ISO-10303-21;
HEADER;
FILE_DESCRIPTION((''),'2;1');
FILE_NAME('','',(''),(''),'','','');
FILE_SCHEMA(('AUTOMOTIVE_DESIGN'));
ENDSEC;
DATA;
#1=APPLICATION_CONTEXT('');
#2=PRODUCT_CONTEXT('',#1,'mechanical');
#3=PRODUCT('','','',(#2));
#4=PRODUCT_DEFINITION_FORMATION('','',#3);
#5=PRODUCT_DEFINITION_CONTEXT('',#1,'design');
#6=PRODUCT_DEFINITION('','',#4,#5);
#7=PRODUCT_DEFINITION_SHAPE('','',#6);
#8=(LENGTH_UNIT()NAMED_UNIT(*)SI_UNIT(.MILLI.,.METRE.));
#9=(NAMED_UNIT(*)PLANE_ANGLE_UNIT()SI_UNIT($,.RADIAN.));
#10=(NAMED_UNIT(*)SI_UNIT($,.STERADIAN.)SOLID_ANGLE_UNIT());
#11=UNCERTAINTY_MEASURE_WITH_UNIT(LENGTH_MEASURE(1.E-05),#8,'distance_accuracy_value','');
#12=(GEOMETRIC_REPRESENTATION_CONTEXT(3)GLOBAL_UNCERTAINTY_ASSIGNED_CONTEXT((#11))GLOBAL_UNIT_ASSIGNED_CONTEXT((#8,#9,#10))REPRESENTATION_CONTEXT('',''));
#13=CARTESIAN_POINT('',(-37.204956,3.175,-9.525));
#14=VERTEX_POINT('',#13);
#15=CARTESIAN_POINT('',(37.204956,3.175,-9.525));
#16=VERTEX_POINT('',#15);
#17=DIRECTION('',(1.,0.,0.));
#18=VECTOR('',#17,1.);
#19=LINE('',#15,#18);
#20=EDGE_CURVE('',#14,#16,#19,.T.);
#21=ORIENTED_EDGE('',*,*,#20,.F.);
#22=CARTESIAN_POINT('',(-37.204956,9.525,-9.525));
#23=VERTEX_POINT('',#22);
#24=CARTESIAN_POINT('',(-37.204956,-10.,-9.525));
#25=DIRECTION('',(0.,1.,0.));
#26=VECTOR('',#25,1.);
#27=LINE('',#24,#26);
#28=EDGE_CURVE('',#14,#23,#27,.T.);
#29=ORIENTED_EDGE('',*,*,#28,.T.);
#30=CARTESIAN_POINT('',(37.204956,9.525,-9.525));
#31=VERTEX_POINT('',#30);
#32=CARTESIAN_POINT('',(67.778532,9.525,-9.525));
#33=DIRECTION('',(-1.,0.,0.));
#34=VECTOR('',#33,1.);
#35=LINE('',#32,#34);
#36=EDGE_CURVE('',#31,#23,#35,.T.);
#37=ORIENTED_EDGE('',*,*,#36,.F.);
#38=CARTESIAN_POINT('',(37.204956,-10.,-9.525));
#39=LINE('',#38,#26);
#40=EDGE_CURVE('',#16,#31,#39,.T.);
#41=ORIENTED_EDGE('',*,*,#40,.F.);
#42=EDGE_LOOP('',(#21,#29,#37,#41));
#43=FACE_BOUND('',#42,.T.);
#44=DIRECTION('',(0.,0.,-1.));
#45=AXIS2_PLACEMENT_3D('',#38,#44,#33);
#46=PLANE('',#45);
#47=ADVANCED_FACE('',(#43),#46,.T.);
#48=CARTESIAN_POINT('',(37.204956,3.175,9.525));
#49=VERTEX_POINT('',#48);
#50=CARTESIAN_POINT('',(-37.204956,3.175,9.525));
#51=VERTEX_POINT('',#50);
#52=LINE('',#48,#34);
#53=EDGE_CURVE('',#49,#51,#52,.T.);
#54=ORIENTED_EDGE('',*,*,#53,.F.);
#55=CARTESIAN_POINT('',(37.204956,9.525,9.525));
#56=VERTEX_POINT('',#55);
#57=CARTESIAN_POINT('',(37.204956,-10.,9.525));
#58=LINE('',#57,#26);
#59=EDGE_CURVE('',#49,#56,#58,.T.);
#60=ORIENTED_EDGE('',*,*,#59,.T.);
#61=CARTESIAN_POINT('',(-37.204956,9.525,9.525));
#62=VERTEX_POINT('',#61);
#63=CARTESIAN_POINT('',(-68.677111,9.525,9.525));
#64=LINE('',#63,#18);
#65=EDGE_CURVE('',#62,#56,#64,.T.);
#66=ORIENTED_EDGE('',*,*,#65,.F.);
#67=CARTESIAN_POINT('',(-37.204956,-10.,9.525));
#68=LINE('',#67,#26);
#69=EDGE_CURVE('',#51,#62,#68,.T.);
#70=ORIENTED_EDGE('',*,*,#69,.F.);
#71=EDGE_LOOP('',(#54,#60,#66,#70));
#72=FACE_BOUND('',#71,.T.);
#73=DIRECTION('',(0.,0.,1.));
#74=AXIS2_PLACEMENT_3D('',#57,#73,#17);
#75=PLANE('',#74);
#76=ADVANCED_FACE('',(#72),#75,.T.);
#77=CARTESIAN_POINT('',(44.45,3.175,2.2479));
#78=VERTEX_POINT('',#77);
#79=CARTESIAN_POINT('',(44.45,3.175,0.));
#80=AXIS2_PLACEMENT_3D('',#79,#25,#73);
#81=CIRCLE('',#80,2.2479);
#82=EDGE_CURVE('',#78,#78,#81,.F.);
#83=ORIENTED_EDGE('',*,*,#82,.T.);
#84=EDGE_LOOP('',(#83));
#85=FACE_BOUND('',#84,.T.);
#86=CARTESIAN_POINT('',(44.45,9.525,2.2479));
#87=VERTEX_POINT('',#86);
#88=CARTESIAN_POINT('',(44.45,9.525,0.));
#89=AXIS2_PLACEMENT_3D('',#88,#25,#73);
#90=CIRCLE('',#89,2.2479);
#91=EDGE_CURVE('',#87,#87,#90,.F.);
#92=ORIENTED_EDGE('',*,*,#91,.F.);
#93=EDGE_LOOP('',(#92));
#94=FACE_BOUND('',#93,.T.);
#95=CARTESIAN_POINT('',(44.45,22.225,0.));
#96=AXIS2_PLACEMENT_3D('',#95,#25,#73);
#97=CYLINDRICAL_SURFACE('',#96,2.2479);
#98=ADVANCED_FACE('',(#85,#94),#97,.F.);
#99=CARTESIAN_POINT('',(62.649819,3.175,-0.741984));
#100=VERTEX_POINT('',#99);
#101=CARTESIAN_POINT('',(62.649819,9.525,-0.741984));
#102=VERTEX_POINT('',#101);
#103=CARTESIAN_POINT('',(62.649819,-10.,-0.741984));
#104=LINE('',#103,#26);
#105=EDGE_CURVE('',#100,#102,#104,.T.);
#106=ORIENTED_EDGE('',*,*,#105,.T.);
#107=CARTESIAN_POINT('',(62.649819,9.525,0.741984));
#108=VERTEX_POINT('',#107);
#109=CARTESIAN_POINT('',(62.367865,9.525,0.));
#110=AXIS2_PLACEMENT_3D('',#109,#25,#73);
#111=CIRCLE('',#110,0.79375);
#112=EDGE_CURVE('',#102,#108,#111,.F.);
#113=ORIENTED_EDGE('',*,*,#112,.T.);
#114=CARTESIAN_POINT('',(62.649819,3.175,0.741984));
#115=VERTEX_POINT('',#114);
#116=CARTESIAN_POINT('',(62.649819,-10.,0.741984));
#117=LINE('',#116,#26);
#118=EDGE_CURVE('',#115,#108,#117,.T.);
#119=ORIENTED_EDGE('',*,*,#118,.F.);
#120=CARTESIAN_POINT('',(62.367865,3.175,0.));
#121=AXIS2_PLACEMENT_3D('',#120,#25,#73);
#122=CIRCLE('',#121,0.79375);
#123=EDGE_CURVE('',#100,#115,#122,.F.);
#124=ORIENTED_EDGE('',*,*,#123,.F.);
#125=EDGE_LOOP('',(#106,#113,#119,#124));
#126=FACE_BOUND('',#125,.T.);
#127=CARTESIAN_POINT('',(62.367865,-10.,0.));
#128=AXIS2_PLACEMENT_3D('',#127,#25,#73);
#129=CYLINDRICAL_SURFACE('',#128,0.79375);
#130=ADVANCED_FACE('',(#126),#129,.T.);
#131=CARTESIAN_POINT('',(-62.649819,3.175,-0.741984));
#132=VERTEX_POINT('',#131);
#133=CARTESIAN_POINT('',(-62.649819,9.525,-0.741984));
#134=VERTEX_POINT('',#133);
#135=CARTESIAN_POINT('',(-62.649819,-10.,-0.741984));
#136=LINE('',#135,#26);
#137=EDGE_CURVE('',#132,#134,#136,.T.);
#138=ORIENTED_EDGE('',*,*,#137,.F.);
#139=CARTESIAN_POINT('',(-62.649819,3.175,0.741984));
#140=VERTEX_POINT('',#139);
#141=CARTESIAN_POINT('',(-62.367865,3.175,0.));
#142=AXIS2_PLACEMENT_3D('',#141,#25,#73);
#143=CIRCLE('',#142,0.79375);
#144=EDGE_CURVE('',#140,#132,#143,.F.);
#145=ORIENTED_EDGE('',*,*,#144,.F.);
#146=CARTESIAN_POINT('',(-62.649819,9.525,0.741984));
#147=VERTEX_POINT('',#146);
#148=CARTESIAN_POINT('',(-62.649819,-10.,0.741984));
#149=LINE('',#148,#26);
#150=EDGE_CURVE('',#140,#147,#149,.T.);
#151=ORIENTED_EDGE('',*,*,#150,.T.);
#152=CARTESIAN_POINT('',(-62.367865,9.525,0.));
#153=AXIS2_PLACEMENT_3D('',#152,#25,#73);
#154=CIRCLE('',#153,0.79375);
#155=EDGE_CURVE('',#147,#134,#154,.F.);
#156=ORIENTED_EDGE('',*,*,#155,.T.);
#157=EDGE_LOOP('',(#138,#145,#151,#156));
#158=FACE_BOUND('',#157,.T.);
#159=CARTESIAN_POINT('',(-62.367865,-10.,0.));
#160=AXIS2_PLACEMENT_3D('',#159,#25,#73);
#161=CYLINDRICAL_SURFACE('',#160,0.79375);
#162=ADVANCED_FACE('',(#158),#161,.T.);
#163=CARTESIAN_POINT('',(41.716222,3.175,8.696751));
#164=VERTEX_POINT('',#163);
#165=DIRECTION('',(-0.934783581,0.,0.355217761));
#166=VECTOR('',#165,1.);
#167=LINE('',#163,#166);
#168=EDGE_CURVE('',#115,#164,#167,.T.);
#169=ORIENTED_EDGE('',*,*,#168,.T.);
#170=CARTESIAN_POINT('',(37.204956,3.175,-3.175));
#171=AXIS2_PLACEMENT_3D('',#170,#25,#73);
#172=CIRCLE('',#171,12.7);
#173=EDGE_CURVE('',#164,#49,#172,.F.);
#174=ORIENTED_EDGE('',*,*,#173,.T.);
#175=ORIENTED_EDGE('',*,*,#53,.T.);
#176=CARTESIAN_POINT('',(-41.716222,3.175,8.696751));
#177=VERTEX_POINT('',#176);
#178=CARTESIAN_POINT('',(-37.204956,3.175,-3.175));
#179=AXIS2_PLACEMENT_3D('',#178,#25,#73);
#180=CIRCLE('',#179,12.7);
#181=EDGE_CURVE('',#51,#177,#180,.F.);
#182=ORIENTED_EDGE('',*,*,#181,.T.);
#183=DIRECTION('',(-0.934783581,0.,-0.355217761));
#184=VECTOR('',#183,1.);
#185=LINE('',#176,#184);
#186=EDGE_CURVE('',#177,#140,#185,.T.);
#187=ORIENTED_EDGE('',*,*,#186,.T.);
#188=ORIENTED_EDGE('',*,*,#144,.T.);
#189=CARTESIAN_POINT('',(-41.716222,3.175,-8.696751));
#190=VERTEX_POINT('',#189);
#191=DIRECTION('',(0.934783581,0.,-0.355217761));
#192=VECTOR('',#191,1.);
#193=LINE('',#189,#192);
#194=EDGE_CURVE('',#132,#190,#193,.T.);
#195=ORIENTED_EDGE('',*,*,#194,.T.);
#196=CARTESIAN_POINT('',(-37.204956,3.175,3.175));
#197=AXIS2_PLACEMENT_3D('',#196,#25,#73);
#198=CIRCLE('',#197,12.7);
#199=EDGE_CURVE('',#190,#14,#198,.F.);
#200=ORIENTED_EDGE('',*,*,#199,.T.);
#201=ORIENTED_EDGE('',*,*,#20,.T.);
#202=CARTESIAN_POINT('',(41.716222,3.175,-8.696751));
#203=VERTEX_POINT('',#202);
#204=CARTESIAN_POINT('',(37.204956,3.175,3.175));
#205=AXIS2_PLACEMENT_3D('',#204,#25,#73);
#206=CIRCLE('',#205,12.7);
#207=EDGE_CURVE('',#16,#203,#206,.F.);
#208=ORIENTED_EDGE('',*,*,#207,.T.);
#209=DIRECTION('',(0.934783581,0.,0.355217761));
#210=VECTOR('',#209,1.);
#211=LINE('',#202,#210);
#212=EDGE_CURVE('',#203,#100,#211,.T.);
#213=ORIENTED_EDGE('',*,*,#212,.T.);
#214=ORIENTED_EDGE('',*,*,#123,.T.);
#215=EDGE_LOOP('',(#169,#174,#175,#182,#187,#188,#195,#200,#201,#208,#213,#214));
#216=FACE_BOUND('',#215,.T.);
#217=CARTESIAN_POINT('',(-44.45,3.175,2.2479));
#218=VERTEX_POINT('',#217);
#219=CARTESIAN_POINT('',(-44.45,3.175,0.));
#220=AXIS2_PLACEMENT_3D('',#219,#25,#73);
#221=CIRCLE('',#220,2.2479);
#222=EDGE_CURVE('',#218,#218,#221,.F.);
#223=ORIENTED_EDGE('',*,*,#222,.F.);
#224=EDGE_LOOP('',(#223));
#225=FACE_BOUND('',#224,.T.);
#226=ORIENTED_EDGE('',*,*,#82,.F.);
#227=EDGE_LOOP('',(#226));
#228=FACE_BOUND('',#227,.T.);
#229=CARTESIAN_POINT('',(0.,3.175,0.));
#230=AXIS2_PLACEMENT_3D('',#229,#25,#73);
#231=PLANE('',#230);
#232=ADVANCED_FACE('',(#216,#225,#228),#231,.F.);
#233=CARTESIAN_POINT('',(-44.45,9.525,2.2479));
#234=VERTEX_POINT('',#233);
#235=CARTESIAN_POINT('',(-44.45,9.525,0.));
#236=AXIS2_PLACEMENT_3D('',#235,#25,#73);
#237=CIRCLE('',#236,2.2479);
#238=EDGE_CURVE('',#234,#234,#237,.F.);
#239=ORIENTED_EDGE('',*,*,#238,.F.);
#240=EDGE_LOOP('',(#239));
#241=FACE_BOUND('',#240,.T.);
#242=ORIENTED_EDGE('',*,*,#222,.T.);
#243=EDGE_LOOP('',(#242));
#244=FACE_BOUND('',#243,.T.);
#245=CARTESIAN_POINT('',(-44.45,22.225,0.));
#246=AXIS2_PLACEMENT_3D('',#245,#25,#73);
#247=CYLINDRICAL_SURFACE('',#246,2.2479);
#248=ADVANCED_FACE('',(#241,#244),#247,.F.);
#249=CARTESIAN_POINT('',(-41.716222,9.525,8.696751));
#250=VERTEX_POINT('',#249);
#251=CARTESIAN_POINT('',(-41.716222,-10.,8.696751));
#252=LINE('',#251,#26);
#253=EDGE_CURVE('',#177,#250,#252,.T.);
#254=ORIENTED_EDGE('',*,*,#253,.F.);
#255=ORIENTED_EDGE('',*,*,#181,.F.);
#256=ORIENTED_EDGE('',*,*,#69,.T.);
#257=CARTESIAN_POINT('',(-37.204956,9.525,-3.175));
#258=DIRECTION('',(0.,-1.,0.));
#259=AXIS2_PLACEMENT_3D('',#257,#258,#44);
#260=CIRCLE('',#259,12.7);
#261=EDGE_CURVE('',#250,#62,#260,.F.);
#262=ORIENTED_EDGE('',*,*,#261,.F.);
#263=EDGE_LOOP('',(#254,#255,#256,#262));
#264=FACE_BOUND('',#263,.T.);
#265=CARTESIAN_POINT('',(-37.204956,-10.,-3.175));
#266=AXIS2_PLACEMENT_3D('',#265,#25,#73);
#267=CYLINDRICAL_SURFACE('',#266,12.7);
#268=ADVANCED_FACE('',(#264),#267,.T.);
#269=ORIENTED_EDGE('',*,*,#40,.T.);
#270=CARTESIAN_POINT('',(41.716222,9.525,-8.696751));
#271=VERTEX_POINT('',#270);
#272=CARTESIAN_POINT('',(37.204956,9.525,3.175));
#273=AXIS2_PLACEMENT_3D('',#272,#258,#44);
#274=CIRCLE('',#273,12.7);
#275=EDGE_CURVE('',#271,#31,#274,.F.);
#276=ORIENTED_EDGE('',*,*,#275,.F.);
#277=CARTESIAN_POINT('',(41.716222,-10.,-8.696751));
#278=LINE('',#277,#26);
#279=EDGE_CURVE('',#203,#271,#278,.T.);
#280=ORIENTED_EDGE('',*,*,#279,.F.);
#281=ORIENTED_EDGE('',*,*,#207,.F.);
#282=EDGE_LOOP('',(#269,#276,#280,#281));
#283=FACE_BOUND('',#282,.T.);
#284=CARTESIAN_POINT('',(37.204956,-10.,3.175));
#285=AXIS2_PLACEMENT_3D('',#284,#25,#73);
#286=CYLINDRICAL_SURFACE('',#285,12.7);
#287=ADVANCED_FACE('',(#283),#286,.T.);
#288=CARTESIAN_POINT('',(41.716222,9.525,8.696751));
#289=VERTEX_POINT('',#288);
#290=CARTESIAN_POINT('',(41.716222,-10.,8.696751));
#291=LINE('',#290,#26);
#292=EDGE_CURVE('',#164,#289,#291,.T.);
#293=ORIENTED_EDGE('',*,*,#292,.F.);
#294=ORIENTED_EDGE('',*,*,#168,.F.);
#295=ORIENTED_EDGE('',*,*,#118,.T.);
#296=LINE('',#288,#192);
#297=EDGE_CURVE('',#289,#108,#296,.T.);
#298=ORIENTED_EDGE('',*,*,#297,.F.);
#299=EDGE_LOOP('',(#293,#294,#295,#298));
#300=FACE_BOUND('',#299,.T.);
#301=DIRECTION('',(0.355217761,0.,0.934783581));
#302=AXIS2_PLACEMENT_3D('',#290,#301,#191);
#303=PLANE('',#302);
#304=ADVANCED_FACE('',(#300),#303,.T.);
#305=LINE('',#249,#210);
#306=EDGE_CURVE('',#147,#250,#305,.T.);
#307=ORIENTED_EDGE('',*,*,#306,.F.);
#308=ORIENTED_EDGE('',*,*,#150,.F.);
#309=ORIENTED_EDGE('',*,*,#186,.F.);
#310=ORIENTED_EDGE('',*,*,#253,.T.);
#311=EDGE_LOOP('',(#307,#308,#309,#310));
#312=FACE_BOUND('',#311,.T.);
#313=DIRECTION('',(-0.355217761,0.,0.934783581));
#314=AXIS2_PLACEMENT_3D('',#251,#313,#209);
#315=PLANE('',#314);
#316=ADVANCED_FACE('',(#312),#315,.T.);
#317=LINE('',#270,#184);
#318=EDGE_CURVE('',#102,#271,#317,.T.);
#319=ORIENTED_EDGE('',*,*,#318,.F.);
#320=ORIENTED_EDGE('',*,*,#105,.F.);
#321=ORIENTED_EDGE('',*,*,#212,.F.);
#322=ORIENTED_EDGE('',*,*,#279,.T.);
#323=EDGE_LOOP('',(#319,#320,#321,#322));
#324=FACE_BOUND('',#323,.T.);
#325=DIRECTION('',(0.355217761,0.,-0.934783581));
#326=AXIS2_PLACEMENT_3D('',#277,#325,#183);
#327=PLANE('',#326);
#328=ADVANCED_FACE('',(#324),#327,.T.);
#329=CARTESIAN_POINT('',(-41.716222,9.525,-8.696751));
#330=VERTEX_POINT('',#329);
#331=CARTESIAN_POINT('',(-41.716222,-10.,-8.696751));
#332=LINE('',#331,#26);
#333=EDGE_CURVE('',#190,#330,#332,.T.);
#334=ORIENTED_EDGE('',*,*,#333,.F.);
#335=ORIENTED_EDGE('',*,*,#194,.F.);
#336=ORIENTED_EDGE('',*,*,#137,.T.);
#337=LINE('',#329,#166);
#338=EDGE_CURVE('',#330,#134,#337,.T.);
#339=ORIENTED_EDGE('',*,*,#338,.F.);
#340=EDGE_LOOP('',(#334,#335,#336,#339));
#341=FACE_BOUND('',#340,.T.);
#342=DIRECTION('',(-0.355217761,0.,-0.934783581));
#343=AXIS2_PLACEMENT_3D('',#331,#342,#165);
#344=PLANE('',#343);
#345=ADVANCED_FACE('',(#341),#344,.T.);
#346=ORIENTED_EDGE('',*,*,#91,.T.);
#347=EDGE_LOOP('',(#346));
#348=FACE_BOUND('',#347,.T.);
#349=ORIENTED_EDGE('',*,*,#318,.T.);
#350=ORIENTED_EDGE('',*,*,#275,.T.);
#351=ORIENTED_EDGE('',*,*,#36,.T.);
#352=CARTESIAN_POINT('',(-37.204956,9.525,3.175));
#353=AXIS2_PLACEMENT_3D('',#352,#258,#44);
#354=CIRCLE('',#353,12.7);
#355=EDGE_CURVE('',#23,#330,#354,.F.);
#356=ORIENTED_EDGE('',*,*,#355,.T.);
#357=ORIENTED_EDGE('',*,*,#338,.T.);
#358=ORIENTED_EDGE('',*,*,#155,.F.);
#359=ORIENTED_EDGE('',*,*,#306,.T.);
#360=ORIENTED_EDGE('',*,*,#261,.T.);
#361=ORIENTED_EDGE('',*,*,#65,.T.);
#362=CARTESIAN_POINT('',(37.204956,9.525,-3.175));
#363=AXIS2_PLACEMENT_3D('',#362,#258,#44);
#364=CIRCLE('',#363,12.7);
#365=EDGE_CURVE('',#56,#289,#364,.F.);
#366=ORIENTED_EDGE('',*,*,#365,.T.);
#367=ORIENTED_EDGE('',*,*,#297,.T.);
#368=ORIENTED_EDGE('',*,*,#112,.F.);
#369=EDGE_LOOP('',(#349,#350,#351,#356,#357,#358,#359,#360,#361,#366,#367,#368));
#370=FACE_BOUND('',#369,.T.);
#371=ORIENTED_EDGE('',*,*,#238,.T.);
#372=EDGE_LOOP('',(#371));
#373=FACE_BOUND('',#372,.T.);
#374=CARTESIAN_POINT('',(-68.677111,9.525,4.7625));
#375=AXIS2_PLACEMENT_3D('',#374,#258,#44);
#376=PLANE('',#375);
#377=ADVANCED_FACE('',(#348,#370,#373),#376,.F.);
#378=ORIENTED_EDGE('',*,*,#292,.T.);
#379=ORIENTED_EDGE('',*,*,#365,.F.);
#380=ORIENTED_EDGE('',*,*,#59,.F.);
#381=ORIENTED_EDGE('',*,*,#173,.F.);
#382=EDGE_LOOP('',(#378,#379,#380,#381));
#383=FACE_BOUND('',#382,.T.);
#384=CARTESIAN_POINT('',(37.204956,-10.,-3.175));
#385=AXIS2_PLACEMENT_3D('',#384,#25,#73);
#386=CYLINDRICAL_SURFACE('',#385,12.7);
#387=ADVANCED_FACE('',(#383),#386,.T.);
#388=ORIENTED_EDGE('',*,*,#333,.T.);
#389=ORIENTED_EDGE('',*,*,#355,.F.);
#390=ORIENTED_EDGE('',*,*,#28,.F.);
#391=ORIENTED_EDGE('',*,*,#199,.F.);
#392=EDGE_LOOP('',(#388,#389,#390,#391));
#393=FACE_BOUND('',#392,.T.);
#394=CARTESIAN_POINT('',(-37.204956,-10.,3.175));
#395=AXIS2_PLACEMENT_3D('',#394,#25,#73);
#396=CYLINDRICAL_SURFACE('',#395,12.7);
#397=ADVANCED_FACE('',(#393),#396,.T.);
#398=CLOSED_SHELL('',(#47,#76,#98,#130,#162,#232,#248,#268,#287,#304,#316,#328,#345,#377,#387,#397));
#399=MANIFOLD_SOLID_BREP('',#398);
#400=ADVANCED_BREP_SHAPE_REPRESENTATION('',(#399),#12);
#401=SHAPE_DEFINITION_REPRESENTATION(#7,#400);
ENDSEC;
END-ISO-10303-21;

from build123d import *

# Parameters (mm, degrees)
BOSS_EXTRUDE2_DEPTH                               = 22.225
BOSS_EXTRUDE2_DEPTH_BACK                          = 10
SKETCH2_W                                         = 153.14353988
SKETCH2_H                                         = 6.35
CUT_EXTRUDE1_DEPTH                                = 4.7625
SKETCH3_W                                         = 152.758434582
SKETCH3_H                                         = 6.35
CUT_EXTRUDE2_DEPTH                                = 4.7625
FILLET3_R                                         = 12.7
FILLET4_R                                         = 12.7
FILLET5_R                                         = 12.7
FILLET6_R                                         = 12.7
CUT_EXTRUDE3_DEPTH                                = 94.675
CUT_EXTRUDE3_DEPTH_BACK                           = 84.675
SKETCH12_R                                        = 168.402
CSK_FOR_8_FLAT_HEAD_SOCKET_CAP_SCREW2_D           = 4.4958
CSK_FOR_8_FLAT_HEAD_SOCKET_CAP_SCREW2_CSINK_D     = 9.1186
CSK_FOR_8_FLAT_HEAD_SOCKET_CAP_SCREW2_CSINK_ANGLE = 82
SKETCH23_W                                        = 142.352901873
SKETCH23_H                                        = 23.794517811
CUT_EXTRUDE4_DEPTH                                = 27.432
SKETCH24_W                                        = 135.994176645
SKETCH24_H                                        = 28.515775484
CUT_EXTRUDE5_DEPTH                                = 27.432


with BuildPart() as part:
    # Sketch1 → Boss-Extrude2 (new, two sides: drawn at the far end of the back side and taken through both)
    with BuildSketch(Plane(origin=(0, 0, 0), x_dir=(1, 0, 0), z_dir=(0, 1, 0)).offset(-BOSS_EXTRUDE2_DEPTH_BACK)):
        with BuildLine():
            Line((37.204956004, 9.525), (-37.204956004, 9.525))
            ThreePointArc((-37.204956004, 9.525), (-39.498289417, 9.316221792), (-41.716221563, 8.696751473))
            Line((-41.716221563, 8.696751473), (-62.649818949, 0.741984467))
            ThreePointArc((-62.649818949, 0.741984467), (-63.161614851, 0), (-62.649818949, -0.741984467))
            Line((-62.649818949, -0.741984467), (-41.716221563, -8.696751473))
            ThreePointArc((-41.716221563, -8.696751473), (-39.498289417, -9.316221792), (-37.204956004, -9.525))
            Line((-37.204956004, -9.525), (37.204956004, -9.525))
            ThreePointArc((37.204956004, -9.525), (39.498289417, -9.316221792), (41.716221563, -8.696751473))
            Line((41.716221563, -8.696751473), (62.649818949, -0.741984467))
            ThreePointArc((62.649818949, -0.741984467), (63.161614851, 0), (62.649818949, 0.741984467))
            Line((62.649818949, 0.741984467), (41.716221563, 8.696751473))
            ThreePointArc((41.716221563, 8.696751473), (39.498289417, 9.316221792), (37.204956004, 9.525))
        make_face()
    extrude(amount=BOSS_EXTRUDE2_DEPTH + BOSS_EXTRUDE2_DEPTH_BACK)

    # Sketch2 → Cut-Extrude1 (cut)
    with BuildSketch(Plane.XY.offset(9.525)):
        with Locations((7.894658594, 12.7)):
            Rectangle(SKETCH2_W, SKETCH2_H)
    extrude(amount=-CUT_EXTRUDE1_DEPTH, mode=Mode.SUBTRACT)

    # Sketch3 → Cut-Extrude2 (cut)
    with BuildSketch(Plane(origin=(0, 0, -9.525), x_dir=(-1, 0, 0), z_dir=(0, 0, -1))):
        with Locations((8.600684972, 12.7)):
            Rectangle(SKETCH3_W, SKETCH3_H)
    extrude(amount=-CUT_EXTRUDE2_DEPTH, mode=Mode.SUBTRACT)

    # Fillet3
    fillet3_edges = [part.edges().sort_by_distance(p)[0] for p in [
        (52.069514915, 12.7, -4.7625),
    ]]
    fillet(fillet3_edges, radius=FILLET3_R)

    # Fillet4
    fillet4_edges = [part.edges().sort_by_distance(p)[0] for p in [
        (52.069514915, 12.7, 4.7625),
    ]]
    fillet(fillet4_edges, radius=FILLET4_R)

    # Fillet5
    fillet5_edges = [part.edges().sort_by_distance(p)[0] for p in [
        (-52.069514915, 12.7, 4.7625),
    ]]
    fillet(fillet5_edges, radius=FILLET5_R)

    # Fillet6
    fillet6_edges = [part.edges().sort_by_distance(p)[0] for p in [
        (-52.069514915, 12.7, -4.7625),
    ]]
    fillet(fillet6_edges, radius=FILLET6_R)

    # Sketch12 → Cut-Extrude3 (cut, two sides: drawn at the far end of the back side and taken through both)
    with BuildSketch(Plane(origin=(0, 0, 0), x_dir=(0, 0, -1), z_dir=(1, 0, 0)).offset(-CUT_EXTRUDE3_DEPTH_BACK)):
        with Locations((0, -168.402)):
            Circle(SKETCH12_R)
    extrude(amount=CUT_EXTRUDE3_DEPTH + CUT_EXTRUDE3_DEPTH_BACK, mode=Mode.SUBTRACT)

    # CSK for #8 Flat Head Socket Cap Screw2 (through all)
    with Locations(Plane(origin=(0, 22.225, 0), x_dir=(1, 0, 0), z_dir=(0, 1, 0))):
        with Locations((-44.45, 0), (44.45, 0)):
            CounterSinkHole(CSK_FOR_8_FLAT_HEAD_SOCKET_CAP_SCREW2_D / 2, CSK_FOR_8_FLAT_HEAD_SOCKET_CAP_SCREW2_CSINK_D / 2, counter_sink_angle=CSK_FOR_8_FLAT_HEAD_SOCKET_CAP_SCREW2_CSINK_ANGLE)

    # Sketch23 → Cut-Extrude4 (cut)
    with BuildSketch(Plane(origin=(0, 9.525, 0), x_dir=(1, 0, 0), z_dir=(0, 1, 0))):
        with Locations((0.40453065, 0.369494074)):
            Rectangle(SKETCH23_W, SKETCH23_H)
    extrude(amount=CUT_EXTRUDE4_DEPTH, mode=Mode.SUBTRACT)

    # Sketch24 → Cut-Extrude5 (cut)
    with BuildSketch(Plane(origin=(0, 3.175, 0), x_dir=(1, 0, 0), z_dir=(0, 1, 0))):
        with Locations((-1.937475732, -0.84145337)):
            Rectangle(SKETCH24_W, SKETCH24_H)
    extrude(amount=-CUT_EXTRUDE5_DEPTH, mode=Mode.SUBTRACT)


solid = part.part
